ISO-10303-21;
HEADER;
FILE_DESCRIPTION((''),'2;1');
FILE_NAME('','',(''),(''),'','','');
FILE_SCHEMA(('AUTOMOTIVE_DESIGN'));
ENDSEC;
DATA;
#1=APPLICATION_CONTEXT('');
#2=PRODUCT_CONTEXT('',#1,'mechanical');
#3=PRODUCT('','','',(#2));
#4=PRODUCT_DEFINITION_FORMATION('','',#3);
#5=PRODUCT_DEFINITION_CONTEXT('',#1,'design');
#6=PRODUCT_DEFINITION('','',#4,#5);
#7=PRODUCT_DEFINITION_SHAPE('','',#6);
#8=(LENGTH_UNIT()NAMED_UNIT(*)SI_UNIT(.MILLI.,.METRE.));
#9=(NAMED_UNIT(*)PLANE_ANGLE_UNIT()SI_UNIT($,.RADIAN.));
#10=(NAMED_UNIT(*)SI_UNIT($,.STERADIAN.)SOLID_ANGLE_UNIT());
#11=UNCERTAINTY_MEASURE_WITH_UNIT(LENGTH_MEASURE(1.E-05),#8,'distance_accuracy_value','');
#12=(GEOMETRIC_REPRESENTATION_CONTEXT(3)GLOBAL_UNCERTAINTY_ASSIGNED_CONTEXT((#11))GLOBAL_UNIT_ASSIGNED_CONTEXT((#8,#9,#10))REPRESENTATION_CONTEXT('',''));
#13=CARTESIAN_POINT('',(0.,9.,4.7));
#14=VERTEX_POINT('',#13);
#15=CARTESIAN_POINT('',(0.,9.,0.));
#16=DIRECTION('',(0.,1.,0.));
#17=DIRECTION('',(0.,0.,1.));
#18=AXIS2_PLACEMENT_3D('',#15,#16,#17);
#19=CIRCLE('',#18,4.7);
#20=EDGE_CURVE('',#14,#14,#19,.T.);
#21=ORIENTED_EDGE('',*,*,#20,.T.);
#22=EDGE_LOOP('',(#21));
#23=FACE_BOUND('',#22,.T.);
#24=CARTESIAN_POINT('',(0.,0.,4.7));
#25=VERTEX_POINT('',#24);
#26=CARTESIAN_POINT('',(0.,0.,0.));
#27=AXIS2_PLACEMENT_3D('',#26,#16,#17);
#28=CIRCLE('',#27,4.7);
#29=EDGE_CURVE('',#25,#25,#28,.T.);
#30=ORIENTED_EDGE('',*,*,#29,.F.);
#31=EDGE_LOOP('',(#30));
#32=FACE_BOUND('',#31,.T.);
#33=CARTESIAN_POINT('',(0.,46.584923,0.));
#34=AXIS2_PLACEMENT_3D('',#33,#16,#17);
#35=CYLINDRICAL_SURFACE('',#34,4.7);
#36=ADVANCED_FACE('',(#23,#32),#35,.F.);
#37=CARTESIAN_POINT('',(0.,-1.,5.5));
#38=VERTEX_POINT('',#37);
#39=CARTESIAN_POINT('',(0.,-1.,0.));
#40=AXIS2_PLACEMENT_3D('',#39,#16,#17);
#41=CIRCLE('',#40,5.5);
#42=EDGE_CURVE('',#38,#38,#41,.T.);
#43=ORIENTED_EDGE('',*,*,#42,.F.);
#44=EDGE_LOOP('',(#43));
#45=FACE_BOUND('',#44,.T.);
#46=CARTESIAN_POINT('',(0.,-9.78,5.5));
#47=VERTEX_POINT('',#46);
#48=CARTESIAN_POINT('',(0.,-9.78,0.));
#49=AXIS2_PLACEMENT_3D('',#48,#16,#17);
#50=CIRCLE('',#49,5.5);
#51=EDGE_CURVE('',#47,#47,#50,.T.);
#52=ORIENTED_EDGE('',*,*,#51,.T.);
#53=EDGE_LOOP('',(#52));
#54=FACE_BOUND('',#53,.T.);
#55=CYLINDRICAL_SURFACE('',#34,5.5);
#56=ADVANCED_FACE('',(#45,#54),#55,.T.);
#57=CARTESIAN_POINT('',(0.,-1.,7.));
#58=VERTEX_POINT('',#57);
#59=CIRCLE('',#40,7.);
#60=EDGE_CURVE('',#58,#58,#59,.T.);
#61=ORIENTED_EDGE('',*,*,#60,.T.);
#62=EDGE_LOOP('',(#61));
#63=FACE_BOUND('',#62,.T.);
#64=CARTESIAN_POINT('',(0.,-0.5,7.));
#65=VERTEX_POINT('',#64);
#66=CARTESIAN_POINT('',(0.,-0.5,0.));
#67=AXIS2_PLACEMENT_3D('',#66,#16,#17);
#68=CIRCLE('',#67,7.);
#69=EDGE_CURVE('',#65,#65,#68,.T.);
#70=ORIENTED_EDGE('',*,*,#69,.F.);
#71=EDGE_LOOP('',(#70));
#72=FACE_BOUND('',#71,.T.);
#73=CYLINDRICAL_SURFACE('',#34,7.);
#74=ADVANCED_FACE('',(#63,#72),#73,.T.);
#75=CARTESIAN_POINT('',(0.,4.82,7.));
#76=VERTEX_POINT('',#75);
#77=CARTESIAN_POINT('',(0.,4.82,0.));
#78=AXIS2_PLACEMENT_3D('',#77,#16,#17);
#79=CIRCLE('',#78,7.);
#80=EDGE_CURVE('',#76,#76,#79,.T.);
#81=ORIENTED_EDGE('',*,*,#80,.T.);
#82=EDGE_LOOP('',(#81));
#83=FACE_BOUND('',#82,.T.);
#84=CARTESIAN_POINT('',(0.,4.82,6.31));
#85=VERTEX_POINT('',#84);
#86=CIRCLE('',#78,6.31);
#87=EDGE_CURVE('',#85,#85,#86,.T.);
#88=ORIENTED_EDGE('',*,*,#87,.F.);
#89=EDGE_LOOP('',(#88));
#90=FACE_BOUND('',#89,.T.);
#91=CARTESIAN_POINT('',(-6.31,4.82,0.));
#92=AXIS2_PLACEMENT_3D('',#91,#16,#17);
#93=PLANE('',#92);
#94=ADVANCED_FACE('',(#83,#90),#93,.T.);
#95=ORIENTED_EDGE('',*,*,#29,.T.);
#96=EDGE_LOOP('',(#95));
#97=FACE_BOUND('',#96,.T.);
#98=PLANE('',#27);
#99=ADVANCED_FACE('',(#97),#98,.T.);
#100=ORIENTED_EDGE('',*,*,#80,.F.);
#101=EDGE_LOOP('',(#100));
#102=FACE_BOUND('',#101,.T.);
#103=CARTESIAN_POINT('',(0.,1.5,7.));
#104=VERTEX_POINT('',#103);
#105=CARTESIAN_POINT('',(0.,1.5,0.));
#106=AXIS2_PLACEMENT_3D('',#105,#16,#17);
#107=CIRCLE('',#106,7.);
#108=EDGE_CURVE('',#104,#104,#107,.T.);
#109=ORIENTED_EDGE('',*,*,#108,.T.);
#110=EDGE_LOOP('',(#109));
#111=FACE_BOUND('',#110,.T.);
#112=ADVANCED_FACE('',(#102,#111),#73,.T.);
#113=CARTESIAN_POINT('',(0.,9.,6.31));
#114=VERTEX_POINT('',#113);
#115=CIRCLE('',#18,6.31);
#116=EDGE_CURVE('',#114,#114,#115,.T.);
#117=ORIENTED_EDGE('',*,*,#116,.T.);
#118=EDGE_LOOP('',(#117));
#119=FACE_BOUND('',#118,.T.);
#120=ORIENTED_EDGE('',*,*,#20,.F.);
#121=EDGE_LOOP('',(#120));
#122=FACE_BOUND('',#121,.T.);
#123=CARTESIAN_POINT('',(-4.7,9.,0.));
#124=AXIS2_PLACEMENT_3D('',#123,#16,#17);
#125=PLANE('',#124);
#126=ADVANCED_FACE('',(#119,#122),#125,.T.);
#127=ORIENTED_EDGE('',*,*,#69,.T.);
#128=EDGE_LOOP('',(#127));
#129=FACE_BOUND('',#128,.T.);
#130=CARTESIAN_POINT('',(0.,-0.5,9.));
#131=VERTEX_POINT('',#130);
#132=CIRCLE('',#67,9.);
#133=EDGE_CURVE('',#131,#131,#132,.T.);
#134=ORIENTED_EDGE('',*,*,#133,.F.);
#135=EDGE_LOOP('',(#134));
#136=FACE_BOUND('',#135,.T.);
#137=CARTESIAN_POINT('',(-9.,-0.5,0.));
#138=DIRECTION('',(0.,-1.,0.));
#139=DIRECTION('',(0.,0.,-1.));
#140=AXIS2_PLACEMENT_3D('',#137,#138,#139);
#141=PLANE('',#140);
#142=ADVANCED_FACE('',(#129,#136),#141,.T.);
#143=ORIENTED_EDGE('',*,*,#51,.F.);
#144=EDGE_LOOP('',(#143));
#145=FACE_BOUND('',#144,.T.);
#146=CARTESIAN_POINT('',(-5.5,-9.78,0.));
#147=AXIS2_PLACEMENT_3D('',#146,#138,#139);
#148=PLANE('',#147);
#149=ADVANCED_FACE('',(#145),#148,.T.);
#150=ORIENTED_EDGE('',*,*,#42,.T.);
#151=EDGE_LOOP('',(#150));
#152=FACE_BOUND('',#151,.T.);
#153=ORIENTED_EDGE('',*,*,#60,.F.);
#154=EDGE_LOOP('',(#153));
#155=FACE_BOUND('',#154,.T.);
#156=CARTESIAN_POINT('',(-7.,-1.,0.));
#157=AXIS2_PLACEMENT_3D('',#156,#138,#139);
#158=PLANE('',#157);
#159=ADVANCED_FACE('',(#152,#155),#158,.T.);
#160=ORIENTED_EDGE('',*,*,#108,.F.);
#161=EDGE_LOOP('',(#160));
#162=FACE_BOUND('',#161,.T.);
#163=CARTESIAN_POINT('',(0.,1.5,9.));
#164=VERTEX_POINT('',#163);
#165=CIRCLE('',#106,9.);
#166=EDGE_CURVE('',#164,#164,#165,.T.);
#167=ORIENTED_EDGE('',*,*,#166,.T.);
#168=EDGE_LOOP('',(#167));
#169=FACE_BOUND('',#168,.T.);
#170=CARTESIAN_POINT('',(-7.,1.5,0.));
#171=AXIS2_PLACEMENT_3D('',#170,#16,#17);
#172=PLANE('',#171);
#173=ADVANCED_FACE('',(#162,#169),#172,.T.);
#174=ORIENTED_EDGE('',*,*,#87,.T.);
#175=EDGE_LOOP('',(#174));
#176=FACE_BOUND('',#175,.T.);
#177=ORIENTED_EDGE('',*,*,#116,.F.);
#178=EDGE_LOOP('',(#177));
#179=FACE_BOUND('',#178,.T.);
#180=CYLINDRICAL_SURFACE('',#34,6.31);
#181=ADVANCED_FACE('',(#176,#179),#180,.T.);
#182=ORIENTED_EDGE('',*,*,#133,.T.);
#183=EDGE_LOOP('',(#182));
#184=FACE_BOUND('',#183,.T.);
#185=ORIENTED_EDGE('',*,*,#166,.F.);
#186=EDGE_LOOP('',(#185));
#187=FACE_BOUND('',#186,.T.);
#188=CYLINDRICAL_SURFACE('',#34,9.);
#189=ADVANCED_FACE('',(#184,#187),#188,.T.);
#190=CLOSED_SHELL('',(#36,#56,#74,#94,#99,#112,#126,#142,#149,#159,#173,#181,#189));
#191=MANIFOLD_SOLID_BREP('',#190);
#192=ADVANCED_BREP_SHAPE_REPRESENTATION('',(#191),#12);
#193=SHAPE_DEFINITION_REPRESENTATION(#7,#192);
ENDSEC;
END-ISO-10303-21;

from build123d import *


with BuildPart() as part:
    # Croquis1 → Revolución1 (revolve)
    with BuildSketch(Plane.XY, mode=Mode.PRIVATE) as revoluci_n1_sk:
        Polygon((0, 0), (-4.7, 0), (-4.7, 9), (-6.31, 9), (-6.31, 4.82), (-7, 4.82), (-7, 1.5), (-9, 1.5), (-9, -0.5), (-7, -0.5), (-7, -1), (-5.5, -1), (-5.5, -9.78), (0, -9.78), align=None)
    revolve(revoluci_n1_sk.sketch.rotate(Axis((0, 46.584923077, 0), (0, -1, 0)), 270), axis=Axis((0, 46.584923077, 0), (0, -1, 0)))


solid = part.part
